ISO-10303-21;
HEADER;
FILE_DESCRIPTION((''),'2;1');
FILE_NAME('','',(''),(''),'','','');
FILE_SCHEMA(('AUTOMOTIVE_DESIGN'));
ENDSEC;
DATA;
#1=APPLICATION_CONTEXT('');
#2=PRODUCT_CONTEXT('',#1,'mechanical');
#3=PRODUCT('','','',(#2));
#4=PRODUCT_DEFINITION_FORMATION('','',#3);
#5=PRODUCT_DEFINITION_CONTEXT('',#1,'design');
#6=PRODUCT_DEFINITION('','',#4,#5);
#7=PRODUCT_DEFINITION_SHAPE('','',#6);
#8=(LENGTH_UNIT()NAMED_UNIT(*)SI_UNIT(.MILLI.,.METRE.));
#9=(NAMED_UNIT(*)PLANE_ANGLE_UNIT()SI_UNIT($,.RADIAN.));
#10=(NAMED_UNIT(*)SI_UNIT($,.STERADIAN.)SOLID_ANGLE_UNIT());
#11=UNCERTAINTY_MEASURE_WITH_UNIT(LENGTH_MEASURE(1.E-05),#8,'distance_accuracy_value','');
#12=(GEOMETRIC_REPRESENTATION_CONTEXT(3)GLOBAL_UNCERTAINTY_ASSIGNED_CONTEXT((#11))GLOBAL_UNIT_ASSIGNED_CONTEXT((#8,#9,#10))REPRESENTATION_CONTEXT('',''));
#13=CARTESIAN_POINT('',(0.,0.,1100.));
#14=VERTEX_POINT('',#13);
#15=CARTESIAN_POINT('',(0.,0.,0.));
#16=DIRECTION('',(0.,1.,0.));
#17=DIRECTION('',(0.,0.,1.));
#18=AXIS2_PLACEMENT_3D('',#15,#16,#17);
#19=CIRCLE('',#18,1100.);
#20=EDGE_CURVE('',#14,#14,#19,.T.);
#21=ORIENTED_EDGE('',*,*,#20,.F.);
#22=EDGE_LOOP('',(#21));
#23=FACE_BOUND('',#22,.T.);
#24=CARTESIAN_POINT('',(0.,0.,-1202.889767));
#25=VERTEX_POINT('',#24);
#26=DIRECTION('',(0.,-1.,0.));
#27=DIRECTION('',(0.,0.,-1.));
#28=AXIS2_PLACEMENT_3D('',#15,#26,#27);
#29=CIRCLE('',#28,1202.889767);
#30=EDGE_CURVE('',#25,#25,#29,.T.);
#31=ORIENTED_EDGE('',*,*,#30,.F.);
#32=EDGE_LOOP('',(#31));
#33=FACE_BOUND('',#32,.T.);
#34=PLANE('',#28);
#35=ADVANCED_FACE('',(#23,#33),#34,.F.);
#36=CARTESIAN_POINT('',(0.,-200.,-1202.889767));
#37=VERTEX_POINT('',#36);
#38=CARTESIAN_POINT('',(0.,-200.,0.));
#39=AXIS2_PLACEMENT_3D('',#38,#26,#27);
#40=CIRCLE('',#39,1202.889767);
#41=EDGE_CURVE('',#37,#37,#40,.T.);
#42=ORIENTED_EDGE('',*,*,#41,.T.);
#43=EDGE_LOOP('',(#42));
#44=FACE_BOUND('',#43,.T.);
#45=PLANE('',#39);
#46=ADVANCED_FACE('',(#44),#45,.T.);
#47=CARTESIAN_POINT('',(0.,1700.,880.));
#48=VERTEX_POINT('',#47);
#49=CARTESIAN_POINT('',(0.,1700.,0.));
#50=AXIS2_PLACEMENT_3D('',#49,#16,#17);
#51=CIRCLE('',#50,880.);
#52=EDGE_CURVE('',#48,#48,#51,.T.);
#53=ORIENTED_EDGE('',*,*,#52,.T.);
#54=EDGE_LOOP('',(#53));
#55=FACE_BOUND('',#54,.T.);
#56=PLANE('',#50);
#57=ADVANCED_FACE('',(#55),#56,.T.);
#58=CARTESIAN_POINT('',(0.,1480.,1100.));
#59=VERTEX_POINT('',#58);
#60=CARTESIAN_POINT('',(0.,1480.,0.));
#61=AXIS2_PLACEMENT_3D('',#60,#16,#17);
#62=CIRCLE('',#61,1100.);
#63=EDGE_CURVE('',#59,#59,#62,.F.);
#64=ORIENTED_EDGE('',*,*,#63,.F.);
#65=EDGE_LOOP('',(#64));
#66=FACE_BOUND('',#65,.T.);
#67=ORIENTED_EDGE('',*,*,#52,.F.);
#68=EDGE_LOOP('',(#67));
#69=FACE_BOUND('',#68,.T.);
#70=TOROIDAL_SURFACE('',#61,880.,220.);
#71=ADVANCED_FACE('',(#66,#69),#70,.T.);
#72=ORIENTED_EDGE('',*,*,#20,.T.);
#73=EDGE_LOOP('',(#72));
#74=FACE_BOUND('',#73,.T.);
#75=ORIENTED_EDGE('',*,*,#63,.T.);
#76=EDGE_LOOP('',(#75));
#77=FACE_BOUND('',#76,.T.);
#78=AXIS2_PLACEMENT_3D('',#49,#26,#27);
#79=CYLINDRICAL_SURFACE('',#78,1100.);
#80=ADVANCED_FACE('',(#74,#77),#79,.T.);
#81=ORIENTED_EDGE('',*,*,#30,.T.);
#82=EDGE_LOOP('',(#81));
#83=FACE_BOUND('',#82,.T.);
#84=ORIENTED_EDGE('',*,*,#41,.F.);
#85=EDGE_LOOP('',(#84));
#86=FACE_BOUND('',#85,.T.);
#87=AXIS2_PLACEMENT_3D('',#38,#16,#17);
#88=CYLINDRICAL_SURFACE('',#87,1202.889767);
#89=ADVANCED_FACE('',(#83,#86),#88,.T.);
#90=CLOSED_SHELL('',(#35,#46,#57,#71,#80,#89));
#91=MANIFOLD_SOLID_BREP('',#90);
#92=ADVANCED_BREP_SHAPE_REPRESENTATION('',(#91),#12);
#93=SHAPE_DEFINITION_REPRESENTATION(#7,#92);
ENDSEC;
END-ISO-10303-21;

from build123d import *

# Parameters (mm, degrees)
SKETCH2_R           = 1100
BOSS_EXTRUDE1_DEPTH = 1700
FILLET1_R           = 220
SKETCH3_R           = 1202.889766508
BOSS_EXTRUDE2_DEPTH = 200


with BuildPart() as part:
    # Sketch2 → Boss-Extrude1 (new body)
    with BuildSketch(Plane(origin=(0, 0, 0), x_dir=(1, 0, 0), z_dir=(0, 1, 0))):
        Circle(SKETCH2_R)
    extrude(amount=BOSS_EXTRUDE1_DEPTH)

    # Fillet1
    fillet1_edges = [part.edges().sort_by_distance(p)[0] for p in [
        (-1100, 1700, 0),
    ]]
    fillet(fillet1_edges, radius=FILLET1_R)

    # Sketch3 → Boss-Extrude2 (add)
    with BuildSketch(Plane.XZ):
        Circle(SKETCH3_R)
    extrude(amount=BOSS_EXTRUDE2_DEPTH)


solid = part.part
